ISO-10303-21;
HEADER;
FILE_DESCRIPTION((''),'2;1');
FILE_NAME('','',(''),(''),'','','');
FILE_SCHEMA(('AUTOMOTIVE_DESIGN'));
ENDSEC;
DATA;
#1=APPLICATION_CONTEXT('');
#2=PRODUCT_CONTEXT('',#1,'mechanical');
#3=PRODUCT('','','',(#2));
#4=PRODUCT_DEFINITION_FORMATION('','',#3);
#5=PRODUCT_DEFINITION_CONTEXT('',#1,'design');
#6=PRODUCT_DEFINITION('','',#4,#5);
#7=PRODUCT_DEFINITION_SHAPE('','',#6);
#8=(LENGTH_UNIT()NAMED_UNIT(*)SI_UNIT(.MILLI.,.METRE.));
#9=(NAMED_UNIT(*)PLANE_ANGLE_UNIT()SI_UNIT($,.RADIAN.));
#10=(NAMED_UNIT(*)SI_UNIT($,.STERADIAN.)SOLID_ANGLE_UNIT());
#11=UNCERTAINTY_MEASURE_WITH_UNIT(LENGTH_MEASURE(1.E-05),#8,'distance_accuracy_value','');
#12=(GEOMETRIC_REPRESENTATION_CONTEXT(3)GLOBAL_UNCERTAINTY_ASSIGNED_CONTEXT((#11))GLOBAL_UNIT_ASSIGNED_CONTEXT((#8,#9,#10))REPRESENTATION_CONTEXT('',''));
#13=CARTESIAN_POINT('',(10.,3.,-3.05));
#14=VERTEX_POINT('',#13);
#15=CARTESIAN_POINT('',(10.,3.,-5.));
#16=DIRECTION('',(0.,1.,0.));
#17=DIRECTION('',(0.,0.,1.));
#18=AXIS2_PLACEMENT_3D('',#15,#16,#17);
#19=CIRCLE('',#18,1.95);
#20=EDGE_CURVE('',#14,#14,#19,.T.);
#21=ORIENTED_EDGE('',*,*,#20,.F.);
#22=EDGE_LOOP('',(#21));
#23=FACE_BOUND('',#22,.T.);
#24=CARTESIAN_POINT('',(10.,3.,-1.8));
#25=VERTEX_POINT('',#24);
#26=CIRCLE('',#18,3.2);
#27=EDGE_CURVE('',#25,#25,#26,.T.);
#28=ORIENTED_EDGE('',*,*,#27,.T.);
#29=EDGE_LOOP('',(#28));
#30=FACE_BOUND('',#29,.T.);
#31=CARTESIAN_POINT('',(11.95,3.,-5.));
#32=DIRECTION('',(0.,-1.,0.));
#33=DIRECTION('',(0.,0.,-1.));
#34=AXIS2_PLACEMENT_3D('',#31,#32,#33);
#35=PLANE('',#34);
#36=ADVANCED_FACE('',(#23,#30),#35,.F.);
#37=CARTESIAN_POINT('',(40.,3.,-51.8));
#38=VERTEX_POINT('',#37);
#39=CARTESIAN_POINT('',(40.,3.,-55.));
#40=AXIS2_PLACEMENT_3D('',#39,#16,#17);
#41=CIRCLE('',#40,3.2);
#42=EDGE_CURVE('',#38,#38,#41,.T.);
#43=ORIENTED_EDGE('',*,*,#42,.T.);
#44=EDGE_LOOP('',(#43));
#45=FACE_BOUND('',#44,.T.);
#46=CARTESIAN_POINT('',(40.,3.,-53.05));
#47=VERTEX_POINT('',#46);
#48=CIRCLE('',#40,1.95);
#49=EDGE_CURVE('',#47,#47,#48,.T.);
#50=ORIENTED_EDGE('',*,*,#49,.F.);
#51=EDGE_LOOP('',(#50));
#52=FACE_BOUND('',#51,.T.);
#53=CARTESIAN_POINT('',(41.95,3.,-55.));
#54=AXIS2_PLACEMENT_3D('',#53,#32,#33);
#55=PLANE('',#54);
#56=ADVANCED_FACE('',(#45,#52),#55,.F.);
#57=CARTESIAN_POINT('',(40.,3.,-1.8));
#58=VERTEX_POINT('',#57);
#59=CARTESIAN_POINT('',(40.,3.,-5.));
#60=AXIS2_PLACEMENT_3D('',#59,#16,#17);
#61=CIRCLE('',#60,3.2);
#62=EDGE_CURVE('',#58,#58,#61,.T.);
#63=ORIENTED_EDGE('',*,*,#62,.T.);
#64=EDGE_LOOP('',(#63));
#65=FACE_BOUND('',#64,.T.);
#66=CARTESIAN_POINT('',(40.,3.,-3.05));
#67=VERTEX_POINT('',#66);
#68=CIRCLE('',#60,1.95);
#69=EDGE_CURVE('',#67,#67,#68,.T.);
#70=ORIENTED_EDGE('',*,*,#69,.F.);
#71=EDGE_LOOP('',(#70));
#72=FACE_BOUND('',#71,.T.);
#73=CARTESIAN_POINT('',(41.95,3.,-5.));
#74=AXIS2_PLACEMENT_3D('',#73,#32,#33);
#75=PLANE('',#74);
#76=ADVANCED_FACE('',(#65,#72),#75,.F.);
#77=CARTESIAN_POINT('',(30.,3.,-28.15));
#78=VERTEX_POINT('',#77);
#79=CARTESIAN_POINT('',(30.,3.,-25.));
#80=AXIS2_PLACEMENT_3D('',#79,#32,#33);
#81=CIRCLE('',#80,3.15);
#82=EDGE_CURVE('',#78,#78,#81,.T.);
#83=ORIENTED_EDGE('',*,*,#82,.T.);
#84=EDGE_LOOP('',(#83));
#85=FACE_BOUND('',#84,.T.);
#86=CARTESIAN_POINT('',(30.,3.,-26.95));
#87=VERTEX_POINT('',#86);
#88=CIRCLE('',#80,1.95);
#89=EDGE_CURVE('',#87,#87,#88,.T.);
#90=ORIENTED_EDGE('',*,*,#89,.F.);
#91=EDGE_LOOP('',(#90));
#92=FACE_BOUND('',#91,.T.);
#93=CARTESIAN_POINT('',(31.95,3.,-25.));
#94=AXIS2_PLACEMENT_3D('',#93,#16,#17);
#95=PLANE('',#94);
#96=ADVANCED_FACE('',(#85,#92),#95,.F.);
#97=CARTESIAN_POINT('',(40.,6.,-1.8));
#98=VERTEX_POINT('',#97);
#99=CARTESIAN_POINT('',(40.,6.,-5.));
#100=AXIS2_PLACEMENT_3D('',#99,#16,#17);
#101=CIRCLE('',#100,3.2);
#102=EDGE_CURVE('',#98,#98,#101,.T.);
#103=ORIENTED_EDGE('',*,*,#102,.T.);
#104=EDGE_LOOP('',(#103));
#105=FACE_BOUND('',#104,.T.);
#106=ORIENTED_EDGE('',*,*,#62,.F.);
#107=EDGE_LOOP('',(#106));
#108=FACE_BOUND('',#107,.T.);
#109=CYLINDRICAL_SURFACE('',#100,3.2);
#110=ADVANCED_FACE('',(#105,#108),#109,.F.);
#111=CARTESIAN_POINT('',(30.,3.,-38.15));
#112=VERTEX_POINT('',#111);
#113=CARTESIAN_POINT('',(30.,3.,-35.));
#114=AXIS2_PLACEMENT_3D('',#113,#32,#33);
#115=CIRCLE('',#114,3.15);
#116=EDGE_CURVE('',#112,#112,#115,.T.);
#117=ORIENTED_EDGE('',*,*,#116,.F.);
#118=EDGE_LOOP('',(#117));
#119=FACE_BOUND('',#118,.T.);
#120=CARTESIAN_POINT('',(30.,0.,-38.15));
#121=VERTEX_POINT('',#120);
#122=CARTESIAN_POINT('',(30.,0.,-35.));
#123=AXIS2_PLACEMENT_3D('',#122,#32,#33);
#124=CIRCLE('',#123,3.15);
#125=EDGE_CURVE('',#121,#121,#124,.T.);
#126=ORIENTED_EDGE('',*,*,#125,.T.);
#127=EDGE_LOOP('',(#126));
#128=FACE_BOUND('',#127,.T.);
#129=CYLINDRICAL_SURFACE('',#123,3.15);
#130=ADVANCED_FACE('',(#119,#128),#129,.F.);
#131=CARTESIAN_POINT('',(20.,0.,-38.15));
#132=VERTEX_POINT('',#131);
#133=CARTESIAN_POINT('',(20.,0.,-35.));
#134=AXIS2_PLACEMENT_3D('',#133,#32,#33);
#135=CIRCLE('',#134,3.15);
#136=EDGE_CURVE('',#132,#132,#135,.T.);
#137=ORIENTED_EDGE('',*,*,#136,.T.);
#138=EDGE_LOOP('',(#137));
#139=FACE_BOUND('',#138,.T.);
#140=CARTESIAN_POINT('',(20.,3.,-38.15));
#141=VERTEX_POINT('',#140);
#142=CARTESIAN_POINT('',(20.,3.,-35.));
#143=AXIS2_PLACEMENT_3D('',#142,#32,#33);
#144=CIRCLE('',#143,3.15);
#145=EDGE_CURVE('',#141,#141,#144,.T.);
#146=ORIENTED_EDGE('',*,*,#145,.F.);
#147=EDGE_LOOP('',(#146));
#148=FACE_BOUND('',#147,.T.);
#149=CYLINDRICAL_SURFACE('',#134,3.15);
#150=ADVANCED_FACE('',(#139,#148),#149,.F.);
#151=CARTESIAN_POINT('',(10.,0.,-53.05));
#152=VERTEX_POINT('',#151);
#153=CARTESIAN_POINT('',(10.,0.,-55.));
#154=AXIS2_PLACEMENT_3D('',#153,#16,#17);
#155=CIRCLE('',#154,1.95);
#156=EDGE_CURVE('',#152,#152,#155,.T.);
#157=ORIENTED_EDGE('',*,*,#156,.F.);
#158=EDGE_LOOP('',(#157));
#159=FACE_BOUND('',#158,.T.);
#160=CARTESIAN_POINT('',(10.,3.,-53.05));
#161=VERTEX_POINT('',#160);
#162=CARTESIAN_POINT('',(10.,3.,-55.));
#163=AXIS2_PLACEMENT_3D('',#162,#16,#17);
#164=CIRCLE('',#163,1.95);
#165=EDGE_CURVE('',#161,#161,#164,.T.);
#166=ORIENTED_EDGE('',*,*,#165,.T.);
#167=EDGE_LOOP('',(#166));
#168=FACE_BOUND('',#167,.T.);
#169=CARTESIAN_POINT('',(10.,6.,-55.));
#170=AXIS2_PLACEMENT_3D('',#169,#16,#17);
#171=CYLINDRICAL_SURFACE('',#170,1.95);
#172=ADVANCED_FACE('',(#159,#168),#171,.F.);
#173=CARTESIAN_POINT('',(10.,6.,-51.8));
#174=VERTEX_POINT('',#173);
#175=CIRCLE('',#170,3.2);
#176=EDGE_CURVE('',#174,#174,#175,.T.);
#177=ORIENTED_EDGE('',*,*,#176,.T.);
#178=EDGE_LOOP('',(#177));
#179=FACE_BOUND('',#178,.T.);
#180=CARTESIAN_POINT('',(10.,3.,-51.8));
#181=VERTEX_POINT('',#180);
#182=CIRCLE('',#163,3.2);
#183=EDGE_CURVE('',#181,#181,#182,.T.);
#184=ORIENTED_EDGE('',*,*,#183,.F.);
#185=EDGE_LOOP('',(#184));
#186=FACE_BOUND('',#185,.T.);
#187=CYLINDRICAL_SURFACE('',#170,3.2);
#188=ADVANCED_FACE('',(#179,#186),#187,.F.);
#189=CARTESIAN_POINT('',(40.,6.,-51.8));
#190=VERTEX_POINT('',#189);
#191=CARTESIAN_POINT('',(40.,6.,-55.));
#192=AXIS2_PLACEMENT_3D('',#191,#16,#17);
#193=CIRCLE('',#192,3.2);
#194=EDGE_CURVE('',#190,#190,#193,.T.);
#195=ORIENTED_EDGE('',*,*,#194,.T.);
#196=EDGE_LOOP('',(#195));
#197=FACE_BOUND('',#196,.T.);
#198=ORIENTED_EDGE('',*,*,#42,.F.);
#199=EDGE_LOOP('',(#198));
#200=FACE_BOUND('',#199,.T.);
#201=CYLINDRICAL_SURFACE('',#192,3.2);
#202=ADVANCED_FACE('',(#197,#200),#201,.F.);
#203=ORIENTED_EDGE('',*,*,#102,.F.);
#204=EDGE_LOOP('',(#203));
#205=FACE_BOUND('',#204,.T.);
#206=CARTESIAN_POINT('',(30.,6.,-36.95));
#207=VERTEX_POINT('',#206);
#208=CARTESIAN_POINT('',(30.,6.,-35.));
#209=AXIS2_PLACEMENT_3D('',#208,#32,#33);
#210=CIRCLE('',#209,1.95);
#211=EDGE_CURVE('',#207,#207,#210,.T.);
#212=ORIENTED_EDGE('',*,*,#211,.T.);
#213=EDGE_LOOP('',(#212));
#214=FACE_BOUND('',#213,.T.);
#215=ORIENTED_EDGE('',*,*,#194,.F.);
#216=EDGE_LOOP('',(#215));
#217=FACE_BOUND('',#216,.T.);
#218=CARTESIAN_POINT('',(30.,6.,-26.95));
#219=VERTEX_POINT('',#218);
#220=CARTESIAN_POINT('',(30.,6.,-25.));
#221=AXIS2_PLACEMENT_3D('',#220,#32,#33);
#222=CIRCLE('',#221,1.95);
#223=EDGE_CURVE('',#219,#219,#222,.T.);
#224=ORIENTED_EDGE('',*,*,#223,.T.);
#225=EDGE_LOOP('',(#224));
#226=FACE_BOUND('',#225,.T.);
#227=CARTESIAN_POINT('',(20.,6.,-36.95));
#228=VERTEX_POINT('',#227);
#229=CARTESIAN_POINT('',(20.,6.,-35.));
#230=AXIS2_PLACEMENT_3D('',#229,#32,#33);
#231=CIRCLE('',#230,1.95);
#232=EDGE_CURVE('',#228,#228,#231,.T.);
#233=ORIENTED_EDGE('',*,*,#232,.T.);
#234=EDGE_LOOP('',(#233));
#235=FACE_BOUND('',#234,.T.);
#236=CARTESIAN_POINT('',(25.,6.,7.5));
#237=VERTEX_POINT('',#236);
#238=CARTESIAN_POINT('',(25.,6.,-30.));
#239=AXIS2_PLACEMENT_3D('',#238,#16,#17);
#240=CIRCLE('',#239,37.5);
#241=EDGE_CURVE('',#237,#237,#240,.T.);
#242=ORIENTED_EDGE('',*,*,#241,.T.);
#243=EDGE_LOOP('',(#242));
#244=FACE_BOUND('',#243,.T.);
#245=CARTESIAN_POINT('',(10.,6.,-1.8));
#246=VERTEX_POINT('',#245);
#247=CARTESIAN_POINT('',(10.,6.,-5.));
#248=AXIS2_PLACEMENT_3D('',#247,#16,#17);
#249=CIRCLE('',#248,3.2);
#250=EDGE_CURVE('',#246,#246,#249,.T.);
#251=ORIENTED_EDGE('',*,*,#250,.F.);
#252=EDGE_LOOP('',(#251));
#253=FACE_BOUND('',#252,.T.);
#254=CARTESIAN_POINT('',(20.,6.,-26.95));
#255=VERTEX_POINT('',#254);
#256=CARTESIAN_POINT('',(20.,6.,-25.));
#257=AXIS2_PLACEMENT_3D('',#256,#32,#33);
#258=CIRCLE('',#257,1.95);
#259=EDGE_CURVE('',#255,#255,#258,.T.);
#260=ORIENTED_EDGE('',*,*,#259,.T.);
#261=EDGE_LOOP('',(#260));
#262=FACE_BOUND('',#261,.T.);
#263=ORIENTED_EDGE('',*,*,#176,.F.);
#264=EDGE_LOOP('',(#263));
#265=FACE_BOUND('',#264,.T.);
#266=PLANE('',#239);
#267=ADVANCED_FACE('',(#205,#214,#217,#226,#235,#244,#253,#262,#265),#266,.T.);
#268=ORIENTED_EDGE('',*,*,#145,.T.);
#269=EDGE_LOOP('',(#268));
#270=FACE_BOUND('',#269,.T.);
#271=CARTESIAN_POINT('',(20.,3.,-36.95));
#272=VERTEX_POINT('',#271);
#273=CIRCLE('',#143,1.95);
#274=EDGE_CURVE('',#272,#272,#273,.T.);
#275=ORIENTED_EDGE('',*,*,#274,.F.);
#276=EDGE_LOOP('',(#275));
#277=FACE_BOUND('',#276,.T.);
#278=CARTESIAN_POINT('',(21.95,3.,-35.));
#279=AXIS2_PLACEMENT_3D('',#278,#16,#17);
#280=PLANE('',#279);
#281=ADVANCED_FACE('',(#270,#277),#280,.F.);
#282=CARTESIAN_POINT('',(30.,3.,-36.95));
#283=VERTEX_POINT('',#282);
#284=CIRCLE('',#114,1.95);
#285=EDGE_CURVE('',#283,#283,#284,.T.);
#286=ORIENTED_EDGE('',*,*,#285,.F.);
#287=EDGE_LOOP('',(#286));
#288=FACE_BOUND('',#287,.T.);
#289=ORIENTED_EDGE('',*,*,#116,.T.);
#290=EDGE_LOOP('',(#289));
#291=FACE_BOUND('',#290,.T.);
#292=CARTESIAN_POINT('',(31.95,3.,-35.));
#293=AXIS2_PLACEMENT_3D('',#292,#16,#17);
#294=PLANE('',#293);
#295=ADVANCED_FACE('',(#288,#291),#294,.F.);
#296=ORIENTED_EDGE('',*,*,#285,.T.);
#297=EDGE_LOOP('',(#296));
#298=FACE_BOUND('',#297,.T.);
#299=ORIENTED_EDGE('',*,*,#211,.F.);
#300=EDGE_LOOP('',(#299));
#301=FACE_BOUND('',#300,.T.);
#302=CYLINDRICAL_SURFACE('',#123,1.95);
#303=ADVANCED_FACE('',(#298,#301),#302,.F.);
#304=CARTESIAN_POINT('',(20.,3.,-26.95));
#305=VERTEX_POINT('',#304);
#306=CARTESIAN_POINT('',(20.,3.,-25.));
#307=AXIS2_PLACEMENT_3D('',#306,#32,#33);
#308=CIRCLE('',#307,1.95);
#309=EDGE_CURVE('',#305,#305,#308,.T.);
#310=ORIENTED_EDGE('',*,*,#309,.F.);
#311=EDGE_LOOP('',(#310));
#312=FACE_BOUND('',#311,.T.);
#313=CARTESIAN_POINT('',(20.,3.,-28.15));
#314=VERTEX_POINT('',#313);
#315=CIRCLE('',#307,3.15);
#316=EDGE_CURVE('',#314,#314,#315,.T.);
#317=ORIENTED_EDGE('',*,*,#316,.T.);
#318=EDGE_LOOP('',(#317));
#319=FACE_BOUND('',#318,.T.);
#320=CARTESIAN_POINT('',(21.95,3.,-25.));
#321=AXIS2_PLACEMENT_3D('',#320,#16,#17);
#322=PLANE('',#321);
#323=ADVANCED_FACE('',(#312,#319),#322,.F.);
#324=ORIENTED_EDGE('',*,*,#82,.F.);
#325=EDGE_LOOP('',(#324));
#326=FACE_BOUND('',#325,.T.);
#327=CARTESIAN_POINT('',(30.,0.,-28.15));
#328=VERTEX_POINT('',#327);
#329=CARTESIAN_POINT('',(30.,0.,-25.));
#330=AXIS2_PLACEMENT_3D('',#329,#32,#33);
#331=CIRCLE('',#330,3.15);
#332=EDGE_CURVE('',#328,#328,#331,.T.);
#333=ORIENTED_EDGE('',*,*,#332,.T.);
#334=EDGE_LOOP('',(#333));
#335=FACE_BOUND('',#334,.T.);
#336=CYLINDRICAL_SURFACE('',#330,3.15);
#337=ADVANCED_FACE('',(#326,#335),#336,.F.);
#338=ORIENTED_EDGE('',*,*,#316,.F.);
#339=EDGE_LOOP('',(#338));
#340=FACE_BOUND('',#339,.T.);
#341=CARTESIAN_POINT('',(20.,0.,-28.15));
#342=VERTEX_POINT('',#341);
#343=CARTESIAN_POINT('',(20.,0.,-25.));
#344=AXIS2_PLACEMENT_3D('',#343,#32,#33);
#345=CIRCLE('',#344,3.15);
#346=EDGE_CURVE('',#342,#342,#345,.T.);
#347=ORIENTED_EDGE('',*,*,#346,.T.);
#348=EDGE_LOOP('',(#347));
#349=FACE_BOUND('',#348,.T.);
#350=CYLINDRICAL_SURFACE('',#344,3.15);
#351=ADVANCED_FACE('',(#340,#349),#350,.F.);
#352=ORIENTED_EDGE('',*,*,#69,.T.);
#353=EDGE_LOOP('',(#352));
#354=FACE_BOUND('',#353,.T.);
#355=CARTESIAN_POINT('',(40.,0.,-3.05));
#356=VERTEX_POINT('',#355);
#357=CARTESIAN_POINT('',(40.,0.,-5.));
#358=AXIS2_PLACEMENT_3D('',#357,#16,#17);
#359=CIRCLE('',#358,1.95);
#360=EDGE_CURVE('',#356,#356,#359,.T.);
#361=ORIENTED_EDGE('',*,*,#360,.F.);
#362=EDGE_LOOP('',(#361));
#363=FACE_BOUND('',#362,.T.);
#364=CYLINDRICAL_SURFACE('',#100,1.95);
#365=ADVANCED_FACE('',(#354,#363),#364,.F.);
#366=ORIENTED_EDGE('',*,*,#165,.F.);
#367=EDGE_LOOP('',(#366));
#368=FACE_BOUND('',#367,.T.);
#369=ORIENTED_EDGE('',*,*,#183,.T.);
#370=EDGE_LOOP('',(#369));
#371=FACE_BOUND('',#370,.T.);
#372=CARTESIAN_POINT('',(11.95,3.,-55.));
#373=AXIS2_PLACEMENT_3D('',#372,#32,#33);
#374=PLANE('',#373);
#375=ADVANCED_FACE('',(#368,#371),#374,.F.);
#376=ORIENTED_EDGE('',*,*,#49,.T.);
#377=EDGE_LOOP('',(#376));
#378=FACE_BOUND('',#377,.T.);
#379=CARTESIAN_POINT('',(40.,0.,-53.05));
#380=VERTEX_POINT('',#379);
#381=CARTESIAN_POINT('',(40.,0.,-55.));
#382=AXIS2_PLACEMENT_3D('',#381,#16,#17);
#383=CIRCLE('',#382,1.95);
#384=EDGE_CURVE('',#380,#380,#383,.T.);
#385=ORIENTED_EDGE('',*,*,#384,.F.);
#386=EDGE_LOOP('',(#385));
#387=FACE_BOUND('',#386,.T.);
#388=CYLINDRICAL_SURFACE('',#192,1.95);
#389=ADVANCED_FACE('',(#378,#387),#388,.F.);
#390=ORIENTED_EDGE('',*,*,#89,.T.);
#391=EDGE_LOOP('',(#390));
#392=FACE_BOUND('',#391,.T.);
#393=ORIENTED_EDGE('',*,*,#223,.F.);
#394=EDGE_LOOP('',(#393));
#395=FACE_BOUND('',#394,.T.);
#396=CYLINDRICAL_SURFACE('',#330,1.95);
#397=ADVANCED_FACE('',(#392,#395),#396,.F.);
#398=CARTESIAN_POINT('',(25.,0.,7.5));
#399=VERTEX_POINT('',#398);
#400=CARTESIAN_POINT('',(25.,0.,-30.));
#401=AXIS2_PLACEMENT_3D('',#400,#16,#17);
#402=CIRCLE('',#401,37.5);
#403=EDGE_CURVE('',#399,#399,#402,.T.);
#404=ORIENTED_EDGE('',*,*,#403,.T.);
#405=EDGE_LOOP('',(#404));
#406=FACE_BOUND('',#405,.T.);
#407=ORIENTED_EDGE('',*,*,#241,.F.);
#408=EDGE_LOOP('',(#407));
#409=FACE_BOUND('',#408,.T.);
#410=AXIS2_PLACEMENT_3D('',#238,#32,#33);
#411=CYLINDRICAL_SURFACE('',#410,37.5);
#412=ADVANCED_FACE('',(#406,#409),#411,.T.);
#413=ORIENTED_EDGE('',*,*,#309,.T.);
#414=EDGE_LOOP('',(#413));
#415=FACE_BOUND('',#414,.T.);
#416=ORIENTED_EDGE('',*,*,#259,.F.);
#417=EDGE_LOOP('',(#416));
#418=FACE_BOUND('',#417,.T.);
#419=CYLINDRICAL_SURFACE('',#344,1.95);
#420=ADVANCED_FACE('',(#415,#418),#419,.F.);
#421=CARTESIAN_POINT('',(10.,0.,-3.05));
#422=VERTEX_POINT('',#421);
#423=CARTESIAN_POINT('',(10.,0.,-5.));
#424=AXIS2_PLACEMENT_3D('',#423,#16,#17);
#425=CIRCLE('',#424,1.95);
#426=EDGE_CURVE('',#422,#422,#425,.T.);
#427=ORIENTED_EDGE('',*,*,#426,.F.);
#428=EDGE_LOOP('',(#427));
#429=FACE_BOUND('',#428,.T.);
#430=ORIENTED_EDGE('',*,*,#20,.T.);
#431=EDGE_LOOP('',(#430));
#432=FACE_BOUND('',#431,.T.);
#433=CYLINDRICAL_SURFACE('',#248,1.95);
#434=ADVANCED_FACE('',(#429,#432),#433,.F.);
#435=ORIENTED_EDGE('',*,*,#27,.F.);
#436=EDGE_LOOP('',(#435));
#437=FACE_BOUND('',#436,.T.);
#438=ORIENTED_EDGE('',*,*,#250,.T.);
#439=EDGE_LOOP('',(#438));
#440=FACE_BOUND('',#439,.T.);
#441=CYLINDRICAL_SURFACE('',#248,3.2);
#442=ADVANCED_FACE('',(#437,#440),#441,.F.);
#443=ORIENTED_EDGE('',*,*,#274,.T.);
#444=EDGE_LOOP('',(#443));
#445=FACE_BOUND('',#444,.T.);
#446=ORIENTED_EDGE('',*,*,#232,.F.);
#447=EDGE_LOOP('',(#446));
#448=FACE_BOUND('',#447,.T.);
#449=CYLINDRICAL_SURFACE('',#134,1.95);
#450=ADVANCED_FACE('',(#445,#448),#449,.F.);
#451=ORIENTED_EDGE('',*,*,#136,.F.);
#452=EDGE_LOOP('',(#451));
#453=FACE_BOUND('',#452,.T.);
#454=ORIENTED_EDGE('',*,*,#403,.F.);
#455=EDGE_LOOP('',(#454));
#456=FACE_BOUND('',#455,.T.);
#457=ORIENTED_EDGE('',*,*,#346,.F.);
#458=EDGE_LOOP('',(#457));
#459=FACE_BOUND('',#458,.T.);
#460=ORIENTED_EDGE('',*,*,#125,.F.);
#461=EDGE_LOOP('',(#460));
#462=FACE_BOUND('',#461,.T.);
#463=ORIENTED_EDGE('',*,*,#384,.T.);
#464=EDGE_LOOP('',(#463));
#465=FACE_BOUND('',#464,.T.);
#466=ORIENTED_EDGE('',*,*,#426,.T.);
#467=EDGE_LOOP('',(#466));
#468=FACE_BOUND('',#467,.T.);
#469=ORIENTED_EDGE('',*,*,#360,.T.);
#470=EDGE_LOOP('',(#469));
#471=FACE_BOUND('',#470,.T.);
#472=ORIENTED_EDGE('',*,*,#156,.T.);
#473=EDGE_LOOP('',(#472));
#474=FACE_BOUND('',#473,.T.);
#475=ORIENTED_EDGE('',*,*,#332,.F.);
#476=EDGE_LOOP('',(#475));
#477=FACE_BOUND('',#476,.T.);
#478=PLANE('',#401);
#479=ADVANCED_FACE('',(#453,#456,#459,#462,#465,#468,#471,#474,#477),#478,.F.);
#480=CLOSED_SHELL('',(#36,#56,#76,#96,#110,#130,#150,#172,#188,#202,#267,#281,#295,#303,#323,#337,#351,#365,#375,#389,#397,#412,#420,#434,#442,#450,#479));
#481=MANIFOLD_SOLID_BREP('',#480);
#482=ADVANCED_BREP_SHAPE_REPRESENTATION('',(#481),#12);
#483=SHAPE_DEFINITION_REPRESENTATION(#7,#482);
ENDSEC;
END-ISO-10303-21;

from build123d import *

# Parameters (mm, degrees)
SKIZZE1_R                       = 37.5
AUFSATZ_LINEAR_AUSTRAGEN1_DEPTH = 6
BOHRUNG3_D                      = 3.9
BOHRUNG3_CBORE_D                = 6.3
BOHRUNG3_CBORE_DEPTH            = 3
BOHRUNG4_D                      = 3.9
BOHRUNG4_CBORE_D                = 6.4
BOHRUNG4_CBORE_DEPTH            = 3


with BuildPart() as part:
    # Skizze1 → Aufsatz-Linear austragen1 (new body)
    with BuildSketch(Plane(origin=(0, 0, 0), x_dir=(1, 0, 0), z_dir=(0, 1, 0))):
        with Locations(Location((25, 30, 0), (0, 0, 270))):
            Circle(SKIZZE1_R)
    extrude(amount=AUFSATZ_LINEAR_AUSTRAGEN1_DEPTH)

    # Bohrung3 (through all)
    with Locations(Plane(origin=(20, 0, -25), x_dir=(0, 0, -1), z_dir=(0, -1, 0))):
        with Locations((0, 0), (0, 10), (10, 10), (10, 0)):
            CounterBoreHole(BOHRUNG3_D / 2, BOHRUNG3_CBORE_D / 2, BOHRUNG3_CBORE_DEPTH)

    # Bohrung4 (through all)
    with Locations(Plane(origin=(10, 6, -55), x_dir=(0, 0, 1), z_dir=(0, 1, 0))):
        with Locations((0, 0), (50, 30), (50, 0), (0, 30)):
            CounterBoreHole(BOHRUNG4_D / 2, BOHRUNG4_CBORE_D / 2, BOHRUNG4_CBORE_DEPTH)


solid = part.part
